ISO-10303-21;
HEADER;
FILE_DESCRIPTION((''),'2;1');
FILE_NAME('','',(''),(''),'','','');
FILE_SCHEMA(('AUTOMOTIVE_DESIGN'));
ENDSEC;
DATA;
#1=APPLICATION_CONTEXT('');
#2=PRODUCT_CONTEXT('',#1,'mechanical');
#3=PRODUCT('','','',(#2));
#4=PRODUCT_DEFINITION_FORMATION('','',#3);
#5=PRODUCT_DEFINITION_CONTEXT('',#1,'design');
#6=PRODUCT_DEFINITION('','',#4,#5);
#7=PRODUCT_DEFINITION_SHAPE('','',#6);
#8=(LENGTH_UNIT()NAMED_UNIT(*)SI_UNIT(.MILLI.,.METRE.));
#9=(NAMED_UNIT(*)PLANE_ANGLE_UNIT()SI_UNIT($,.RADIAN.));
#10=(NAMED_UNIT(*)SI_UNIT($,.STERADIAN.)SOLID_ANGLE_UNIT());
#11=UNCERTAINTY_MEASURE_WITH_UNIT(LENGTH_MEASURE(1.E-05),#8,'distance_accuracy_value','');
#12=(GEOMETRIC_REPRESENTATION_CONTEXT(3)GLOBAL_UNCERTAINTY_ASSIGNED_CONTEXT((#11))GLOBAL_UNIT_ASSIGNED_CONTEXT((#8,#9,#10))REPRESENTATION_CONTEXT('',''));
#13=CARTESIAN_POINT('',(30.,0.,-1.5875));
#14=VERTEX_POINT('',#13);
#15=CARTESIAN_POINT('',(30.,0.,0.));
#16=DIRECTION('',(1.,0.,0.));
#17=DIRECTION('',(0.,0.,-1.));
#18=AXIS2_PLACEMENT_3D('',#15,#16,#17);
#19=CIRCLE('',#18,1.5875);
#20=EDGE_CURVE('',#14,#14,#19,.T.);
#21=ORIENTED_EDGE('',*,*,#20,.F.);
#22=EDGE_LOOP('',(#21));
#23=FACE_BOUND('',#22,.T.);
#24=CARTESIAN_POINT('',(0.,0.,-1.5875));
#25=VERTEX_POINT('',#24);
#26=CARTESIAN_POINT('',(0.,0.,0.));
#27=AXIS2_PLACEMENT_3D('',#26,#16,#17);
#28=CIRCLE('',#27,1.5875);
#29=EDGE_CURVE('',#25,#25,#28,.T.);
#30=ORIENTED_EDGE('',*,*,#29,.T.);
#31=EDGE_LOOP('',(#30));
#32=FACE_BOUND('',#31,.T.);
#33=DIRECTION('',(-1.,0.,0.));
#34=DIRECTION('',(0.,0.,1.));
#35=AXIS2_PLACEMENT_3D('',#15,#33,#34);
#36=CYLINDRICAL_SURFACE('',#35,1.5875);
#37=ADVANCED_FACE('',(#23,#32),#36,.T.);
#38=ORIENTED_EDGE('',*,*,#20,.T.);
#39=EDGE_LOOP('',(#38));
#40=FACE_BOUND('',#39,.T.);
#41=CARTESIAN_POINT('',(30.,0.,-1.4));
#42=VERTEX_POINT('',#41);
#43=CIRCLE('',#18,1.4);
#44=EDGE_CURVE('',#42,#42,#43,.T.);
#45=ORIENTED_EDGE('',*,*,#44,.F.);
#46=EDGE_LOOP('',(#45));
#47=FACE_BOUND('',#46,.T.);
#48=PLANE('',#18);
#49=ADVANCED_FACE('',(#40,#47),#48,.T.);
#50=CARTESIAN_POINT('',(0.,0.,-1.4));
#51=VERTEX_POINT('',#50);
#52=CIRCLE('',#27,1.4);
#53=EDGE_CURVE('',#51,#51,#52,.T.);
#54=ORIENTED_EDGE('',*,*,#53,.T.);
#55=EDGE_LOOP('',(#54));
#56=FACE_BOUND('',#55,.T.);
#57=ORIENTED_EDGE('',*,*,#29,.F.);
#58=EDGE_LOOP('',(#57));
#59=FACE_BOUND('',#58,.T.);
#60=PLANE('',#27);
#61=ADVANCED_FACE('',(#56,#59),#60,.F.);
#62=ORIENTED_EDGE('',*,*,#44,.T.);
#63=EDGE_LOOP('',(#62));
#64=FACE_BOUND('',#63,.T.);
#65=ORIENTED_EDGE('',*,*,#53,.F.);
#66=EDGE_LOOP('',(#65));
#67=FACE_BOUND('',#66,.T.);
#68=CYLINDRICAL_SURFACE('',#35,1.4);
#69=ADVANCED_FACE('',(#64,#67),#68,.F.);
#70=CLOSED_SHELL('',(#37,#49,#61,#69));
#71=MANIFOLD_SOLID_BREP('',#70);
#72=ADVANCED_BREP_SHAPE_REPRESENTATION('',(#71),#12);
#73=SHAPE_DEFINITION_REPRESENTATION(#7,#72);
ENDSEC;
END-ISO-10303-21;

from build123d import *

# Parameters (mm, degrees)
ESQUISSE1_R        = 1.5875
ESQUISSE1_R_2      = 1.4
BOSS_EXTRU_1_DEPTH = 30


with BuildPart() as part:
    # Esquisse1 → Boss.-Extru.1 (new body)
    with BuildSketch(Plane(origin=(0, 0, 0), x_dir=(0, 0, -1), z_dir=(1, 0, 0))):
        Circle(ESQUISSE1_R)
        Circle(ESQUISSE1_R_2, mode=Mode.SUBTRACT)
    extrude(amount=BOSS_EXTRU_1_DEPTH)


solid = part.part
